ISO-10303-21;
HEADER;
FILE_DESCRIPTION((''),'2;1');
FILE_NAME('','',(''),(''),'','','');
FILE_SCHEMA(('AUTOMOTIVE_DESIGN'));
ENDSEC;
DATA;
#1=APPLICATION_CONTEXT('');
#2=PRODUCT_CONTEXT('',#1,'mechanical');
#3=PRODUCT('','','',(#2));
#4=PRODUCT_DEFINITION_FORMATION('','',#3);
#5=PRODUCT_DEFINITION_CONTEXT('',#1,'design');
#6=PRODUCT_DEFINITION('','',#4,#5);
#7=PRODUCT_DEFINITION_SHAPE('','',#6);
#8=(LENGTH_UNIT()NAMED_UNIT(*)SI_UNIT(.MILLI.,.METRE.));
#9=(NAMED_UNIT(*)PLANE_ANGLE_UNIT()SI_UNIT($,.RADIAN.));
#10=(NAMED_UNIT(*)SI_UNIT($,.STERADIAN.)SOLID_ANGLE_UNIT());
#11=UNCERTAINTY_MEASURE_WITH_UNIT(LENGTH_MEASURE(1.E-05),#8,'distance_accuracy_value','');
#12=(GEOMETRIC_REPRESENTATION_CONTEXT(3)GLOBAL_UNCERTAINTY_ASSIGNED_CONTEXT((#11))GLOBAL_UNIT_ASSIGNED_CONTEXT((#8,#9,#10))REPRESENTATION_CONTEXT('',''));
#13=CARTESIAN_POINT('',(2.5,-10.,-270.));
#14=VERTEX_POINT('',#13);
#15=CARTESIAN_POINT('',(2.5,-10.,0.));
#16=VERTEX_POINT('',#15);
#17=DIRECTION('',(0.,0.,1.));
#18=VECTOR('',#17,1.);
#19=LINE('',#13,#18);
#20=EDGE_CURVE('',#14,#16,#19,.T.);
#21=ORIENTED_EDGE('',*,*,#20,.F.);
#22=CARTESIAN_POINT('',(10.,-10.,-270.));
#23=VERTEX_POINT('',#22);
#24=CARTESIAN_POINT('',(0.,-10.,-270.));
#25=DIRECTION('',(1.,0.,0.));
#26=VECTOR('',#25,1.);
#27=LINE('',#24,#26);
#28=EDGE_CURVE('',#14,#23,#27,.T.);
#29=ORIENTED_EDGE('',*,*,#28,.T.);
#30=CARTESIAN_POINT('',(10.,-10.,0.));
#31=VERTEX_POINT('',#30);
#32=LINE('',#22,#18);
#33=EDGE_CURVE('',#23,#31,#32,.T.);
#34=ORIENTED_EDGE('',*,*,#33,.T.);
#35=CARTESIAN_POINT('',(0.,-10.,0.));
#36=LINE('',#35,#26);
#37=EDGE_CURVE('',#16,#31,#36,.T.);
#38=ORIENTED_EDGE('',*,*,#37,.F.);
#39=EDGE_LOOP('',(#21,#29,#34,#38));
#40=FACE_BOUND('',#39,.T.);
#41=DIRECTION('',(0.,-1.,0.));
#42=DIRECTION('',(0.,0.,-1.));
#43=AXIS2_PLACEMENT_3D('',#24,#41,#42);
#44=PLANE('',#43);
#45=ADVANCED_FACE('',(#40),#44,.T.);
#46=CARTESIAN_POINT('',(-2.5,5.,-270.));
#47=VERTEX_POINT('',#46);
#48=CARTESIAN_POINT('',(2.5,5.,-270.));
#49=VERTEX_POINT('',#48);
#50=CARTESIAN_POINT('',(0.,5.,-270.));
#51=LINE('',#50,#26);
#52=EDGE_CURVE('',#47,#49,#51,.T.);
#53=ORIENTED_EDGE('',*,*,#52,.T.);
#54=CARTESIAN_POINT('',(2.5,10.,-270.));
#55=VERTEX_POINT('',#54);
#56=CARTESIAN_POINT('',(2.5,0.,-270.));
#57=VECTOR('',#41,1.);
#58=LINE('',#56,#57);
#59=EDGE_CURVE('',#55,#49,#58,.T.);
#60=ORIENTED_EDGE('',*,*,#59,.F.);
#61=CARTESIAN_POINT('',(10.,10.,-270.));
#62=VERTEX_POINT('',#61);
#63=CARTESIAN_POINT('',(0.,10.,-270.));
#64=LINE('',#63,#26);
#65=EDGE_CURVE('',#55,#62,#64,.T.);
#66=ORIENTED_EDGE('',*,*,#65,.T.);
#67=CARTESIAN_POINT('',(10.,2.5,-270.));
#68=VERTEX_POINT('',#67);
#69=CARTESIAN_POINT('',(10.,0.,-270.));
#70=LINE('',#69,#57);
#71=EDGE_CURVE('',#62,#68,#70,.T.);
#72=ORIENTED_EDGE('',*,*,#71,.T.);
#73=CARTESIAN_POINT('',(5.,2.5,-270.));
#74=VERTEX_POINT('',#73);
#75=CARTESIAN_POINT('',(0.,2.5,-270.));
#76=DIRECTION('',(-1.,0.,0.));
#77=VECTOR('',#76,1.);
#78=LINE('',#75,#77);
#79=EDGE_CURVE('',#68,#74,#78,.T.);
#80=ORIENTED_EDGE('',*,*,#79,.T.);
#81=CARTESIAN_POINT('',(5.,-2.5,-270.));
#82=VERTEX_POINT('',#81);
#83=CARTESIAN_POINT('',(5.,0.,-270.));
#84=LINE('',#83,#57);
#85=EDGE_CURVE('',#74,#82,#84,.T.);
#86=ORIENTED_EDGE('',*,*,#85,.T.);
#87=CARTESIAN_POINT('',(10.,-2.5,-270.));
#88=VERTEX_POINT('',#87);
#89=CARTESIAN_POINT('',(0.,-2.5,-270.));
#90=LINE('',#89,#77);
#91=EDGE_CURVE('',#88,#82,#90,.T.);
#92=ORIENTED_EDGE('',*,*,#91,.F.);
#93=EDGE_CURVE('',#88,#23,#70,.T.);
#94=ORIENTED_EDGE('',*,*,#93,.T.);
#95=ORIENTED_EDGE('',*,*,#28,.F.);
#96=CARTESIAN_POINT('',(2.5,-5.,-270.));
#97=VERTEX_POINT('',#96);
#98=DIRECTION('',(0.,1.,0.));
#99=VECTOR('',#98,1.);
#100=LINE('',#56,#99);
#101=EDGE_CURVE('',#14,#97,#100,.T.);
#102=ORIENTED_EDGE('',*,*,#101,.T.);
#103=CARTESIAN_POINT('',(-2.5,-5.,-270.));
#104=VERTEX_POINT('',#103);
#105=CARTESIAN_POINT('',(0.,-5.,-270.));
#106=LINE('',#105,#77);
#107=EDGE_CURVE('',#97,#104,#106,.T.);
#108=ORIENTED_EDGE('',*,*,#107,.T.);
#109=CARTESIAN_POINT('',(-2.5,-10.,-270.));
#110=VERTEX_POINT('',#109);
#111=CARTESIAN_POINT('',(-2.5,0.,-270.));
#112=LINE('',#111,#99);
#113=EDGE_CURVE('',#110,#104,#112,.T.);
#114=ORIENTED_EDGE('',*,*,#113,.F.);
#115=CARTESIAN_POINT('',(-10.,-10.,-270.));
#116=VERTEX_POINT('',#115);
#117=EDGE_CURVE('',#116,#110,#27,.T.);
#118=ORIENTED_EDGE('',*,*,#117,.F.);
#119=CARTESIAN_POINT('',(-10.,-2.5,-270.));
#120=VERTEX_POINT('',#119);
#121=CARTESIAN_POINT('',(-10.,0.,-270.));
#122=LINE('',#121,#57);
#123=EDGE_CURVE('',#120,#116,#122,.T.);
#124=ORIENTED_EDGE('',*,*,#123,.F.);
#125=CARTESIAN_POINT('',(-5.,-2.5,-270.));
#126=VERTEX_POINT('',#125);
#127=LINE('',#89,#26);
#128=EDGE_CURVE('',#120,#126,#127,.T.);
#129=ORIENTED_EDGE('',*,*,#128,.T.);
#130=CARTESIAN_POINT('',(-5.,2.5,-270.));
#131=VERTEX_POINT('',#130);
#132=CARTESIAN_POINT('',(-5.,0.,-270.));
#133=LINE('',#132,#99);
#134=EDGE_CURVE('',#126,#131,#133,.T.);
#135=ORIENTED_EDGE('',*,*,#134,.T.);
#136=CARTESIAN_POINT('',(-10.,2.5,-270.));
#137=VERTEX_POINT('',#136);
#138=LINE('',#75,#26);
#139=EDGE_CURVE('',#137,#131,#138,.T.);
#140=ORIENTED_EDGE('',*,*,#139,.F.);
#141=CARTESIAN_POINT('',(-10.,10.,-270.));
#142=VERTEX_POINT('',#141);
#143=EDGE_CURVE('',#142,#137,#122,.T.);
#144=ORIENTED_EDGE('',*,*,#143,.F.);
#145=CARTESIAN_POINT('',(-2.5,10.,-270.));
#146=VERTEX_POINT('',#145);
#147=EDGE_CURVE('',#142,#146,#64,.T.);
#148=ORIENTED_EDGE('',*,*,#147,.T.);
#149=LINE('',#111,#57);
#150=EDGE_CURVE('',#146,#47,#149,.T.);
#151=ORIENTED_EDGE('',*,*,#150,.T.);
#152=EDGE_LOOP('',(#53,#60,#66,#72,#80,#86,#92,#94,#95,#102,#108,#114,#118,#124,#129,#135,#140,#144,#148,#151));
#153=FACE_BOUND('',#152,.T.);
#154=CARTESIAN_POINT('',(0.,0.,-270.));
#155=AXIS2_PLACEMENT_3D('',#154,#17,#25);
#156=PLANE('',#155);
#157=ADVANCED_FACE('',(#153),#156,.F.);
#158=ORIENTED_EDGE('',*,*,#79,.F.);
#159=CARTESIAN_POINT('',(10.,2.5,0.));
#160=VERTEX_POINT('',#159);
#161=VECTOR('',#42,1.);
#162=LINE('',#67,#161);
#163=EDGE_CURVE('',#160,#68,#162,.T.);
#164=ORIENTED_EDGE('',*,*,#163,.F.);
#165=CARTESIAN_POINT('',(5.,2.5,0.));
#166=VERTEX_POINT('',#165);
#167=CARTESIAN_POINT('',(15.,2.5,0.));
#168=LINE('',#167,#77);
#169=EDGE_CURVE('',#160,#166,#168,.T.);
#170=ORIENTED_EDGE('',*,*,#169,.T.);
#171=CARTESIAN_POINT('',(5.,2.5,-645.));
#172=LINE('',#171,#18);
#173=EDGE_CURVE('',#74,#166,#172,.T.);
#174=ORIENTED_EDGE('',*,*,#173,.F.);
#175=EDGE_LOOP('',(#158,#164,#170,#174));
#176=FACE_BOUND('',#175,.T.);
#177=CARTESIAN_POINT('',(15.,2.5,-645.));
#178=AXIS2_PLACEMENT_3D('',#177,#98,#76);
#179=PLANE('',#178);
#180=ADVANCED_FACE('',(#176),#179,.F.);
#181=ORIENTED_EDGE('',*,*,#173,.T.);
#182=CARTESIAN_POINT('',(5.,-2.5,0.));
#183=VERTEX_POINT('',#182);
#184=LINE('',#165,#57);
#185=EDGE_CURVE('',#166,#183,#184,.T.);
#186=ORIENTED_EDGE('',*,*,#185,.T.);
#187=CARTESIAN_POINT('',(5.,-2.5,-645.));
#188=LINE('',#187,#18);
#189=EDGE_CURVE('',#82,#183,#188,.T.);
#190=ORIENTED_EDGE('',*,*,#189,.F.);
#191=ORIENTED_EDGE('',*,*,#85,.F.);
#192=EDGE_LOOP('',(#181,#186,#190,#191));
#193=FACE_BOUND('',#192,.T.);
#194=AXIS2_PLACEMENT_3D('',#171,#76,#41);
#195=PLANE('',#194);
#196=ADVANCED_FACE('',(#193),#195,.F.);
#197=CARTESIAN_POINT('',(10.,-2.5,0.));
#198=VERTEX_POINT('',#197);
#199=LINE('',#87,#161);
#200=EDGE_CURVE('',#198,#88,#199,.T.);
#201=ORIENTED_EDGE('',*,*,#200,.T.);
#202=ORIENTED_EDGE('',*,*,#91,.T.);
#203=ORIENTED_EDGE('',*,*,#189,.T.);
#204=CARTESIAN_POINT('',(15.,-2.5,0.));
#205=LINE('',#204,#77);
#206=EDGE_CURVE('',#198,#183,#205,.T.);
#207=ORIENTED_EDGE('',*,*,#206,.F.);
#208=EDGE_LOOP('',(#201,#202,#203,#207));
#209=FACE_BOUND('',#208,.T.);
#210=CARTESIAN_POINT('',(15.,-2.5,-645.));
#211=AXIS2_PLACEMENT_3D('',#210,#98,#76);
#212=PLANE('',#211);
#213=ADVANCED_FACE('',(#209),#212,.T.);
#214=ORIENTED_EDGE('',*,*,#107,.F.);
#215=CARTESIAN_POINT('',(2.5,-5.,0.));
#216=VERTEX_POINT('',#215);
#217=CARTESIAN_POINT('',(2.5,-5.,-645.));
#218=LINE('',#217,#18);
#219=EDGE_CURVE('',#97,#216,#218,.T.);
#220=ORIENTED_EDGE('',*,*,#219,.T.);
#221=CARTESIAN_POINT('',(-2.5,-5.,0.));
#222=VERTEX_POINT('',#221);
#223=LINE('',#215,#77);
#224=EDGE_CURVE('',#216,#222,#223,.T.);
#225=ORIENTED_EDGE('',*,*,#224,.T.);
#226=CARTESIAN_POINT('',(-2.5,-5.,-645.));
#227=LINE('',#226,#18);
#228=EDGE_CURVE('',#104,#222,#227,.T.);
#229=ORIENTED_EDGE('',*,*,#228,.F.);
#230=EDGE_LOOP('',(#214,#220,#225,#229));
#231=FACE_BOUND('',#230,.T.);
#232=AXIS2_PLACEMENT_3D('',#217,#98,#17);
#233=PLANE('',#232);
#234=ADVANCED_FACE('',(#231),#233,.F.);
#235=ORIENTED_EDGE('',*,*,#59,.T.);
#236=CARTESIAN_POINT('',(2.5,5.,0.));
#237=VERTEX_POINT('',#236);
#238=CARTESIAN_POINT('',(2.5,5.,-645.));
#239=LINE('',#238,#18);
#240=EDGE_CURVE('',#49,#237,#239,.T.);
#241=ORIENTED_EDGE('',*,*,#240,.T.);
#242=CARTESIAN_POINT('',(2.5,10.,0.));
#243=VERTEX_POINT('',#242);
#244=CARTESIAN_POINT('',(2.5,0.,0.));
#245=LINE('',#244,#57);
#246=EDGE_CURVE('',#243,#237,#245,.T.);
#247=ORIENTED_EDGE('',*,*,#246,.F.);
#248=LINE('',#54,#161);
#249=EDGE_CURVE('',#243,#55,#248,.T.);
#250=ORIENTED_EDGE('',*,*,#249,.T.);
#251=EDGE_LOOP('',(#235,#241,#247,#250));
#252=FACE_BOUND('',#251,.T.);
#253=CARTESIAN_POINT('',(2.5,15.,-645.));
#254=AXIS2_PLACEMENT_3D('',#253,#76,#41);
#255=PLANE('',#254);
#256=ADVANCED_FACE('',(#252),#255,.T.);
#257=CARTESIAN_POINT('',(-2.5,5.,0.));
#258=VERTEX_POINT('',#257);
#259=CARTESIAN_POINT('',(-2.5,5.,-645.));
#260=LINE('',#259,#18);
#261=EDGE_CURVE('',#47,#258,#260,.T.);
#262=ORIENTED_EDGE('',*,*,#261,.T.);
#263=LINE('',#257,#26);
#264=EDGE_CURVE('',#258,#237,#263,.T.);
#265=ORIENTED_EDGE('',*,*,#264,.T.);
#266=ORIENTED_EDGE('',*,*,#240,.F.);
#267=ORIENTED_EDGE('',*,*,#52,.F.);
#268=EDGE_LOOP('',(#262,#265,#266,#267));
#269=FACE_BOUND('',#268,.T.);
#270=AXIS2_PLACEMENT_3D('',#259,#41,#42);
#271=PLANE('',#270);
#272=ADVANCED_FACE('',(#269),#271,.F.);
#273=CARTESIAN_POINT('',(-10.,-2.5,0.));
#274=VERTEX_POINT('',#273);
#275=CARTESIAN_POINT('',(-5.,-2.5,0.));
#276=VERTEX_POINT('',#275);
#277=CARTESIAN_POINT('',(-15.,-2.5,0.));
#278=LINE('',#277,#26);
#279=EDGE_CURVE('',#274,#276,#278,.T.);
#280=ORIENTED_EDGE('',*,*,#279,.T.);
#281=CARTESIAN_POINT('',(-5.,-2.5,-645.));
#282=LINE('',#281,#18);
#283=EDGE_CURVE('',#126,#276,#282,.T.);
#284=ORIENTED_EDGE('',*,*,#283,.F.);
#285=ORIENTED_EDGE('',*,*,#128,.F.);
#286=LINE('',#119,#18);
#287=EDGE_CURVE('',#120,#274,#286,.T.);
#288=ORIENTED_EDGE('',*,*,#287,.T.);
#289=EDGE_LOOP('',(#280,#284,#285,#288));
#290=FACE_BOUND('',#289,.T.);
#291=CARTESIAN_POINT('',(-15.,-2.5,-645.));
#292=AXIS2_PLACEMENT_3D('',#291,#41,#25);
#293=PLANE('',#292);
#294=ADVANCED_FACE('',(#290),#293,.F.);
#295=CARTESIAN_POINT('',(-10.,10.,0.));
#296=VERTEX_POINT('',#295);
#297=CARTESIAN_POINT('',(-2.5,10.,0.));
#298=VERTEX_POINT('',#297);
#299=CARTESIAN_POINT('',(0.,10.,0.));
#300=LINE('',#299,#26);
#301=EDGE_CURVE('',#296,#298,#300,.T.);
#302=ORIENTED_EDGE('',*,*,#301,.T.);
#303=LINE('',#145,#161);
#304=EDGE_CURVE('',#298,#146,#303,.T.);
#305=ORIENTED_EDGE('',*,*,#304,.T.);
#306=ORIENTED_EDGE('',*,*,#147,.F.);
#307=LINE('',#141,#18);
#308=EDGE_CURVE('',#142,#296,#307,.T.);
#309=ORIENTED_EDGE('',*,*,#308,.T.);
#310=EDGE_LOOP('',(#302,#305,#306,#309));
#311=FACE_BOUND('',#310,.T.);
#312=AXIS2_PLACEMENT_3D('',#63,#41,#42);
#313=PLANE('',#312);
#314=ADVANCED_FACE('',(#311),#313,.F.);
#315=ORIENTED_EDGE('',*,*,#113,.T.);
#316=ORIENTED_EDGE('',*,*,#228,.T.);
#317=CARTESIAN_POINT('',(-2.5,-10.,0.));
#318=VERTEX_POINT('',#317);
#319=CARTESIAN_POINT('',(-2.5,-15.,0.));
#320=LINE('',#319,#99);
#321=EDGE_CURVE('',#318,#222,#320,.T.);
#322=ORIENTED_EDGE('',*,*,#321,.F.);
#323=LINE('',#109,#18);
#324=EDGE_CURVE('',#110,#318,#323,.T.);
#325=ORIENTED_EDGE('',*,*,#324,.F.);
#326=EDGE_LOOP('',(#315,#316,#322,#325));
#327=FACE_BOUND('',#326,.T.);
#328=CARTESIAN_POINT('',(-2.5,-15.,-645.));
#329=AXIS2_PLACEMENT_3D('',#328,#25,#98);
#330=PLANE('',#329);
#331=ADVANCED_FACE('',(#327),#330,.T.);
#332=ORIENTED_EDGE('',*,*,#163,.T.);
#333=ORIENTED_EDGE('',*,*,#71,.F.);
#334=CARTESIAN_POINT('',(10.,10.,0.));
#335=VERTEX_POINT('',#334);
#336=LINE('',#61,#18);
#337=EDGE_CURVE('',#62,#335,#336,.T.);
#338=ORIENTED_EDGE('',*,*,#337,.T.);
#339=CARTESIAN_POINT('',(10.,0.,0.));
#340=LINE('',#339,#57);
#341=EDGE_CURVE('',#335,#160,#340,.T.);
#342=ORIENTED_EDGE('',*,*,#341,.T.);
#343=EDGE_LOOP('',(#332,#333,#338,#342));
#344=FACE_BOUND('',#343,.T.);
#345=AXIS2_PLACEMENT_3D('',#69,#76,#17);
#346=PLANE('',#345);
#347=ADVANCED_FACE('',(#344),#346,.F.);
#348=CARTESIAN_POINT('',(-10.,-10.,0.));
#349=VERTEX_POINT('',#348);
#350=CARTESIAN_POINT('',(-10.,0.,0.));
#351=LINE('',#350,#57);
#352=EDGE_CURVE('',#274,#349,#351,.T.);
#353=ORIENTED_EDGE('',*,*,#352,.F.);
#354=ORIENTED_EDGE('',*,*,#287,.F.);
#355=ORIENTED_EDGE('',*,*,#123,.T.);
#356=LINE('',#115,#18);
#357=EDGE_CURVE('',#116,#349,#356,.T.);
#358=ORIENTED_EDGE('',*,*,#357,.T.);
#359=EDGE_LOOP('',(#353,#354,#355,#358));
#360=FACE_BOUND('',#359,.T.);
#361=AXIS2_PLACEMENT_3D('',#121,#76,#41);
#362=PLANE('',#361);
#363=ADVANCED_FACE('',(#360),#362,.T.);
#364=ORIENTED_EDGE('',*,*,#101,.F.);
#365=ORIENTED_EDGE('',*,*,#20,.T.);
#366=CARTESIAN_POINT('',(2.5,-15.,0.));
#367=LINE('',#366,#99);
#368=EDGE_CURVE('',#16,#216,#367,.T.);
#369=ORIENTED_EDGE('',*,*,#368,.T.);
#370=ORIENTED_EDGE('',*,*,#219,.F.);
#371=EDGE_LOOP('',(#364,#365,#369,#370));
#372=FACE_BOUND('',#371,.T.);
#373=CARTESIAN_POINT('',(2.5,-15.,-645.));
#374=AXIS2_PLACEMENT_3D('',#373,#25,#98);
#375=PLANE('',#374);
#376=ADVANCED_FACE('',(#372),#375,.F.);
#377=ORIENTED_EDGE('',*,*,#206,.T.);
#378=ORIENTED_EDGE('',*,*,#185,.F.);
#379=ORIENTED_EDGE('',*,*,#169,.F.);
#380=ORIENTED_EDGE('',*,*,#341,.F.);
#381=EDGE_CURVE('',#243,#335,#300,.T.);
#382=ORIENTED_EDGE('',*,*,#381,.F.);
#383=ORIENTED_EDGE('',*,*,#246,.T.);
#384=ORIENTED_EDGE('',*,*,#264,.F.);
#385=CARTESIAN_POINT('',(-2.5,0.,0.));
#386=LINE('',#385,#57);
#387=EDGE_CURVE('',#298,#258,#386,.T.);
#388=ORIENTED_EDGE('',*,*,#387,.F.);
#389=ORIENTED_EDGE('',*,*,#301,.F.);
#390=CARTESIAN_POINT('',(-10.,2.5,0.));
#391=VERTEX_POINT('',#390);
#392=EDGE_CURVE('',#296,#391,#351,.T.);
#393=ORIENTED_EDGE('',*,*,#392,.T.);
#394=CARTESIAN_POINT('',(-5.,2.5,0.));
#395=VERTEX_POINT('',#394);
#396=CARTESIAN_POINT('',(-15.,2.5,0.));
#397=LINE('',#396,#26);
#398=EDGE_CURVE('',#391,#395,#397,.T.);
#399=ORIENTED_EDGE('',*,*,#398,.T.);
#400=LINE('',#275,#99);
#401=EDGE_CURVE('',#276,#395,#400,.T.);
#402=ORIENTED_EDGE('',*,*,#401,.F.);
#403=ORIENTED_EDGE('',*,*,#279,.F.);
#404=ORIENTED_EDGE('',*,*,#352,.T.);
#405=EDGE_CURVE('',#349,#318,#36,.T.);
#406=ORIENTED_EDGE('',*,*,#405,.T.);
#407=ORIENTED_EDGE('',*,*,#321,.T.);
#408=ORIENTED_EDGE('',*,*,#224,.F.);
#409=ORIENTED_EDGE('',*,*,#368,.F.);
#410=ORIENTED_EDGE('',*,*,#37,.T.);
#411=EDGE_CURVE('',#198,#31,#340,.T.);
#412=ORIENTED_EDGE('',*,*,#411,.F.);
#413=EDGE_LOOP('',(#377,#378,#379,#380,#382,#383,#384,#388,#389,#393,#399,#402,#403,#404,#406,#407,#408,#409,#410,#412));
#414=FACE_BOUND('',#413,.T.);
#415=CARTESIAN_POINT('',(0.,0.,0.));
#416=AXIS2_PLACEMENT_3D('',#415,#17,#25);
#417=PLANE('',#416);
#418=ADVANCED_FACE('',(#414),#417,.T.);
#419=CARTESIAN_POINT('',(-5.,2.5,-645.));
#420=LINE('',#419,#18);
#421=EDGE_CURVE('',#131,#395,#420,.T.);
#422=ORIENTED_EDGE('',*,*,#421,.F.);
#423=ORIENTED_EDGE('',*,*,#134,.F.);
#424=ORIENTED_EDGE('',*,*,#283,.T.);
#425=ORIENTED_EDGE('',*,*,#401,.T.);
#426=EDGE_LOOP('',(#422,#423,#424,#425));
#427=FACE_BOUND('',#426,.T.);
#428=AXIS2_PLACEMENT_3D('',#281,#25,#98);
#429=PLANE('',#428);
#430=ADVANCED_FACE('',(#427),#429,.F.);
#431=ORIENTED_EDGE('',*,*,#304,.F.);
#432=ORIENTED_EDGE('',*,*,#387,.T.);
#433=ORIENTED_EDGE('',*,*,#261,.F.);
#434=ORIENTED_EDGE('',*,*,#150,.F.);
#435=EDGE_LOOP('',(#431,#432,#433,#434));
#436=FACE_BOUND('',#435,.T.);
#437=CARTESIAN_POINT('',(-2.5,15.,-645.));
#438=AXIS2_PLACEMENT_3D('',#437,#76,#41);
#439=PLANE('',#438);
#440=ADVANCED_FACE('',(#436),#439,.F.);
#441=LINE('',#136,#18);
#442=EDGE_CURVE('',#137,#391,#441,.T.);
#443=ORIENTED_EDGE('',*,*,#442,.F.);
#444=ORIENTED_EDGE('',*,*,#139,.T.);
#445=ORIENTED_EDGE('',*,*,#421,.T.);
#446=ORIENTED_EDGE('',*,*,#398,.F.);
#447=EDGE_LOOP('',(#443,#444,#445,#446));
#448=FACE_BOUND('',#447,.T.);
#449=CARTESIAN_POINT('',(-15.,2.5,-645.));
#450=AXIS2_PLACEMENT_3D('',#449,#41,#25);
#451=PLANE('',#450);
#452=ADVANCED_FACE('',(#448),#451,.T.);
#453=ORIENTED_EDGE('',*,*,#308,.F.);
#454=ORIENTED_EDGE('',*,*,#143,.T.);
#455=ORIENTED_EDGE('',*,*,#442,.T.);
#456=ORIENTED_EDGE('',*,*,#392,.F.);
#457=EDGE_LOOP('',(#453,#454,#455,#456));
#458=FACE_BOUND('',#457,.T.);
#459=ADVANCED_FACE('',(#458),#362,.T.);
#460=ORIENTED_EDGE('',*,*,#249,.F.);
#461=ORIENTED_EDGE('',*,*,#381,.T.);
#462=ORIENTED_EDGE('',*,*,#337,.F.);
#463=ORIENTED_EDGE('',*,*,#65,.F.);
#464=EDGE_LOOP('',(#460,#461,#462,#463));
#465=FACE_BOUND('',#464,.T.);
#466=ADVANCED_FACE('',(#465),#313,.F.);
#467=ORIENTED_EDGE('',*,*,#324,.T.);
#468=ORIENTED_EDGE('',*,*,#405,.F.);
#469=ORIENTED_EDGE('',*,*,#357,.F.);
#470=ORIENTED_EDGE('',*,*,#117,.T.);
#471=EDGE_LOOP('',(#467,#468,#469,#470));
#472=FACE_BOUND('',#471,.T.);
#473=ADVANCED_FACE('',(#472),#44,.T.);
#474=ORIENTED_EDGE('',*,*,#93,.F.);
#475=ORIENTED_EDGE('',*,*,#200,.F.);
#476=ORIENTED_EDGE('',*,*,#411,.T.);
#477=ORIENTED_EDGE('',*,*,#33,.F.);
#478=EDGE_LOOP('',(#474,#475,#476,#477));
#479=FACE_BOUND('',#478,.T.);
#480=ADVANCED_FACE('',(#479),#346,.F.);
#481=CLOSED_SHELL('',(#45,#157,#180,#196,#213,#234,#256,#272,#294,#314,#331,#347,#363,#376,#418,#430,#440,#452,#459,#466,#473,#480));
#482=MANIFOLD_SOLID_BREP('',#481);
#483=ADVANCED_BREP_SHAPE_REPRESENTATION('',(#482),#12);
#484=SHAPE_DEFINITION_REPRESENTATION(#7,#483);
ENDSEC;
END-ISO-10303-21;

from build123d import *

# Parameters (mm, degrees)
SKETCH1_W           = 20
SKETCH1_H           = 20
BOSS_EXTRUDE1_DEPTH = 270
SKETCH1_3_W         = 5
SKETCH1_3_H         = 10
CUT_EXTRUDE1_DEPTH  = 645
CIRPATTERN1_COUNT   = 4


with BuildPart() as part:
    # Sketch1 → Boss-Extrude1 (new body)
    with BuildSketch(Plane.XY):
        Rectangle(SKETCH1_W, SKETCH1_H)
    extrude(amount=-BOSS_EXTRUDE1_DEPTH)

    # Sketch1<3> → Cut-Extrude1 (cut)
    with BuildSketch(Plane.XY):
        with Locations((0, 10)):
            Rectangle(SKETCH1_3_W, SKETCH1_3_H)
    cut_extrude1 = extrude(amount=-CUT_EXTRUDE1_DEPTH, mode=Mode.SUBTRACT)

    # CirPattern1: Cut-Extrude1 ×4 about axis
    cirpattern1_axis = Axis((0, 0, 32.25), (0, 0, -1))
    for i in range(1, CIRPATTERN1_COUNT):
        add(cut_extrude1.rotate(cirpattern1_axis, i * 360 / CIRPATTERN1_COUNT), mode=Mode.SUBTRACT)


solid = part.part
